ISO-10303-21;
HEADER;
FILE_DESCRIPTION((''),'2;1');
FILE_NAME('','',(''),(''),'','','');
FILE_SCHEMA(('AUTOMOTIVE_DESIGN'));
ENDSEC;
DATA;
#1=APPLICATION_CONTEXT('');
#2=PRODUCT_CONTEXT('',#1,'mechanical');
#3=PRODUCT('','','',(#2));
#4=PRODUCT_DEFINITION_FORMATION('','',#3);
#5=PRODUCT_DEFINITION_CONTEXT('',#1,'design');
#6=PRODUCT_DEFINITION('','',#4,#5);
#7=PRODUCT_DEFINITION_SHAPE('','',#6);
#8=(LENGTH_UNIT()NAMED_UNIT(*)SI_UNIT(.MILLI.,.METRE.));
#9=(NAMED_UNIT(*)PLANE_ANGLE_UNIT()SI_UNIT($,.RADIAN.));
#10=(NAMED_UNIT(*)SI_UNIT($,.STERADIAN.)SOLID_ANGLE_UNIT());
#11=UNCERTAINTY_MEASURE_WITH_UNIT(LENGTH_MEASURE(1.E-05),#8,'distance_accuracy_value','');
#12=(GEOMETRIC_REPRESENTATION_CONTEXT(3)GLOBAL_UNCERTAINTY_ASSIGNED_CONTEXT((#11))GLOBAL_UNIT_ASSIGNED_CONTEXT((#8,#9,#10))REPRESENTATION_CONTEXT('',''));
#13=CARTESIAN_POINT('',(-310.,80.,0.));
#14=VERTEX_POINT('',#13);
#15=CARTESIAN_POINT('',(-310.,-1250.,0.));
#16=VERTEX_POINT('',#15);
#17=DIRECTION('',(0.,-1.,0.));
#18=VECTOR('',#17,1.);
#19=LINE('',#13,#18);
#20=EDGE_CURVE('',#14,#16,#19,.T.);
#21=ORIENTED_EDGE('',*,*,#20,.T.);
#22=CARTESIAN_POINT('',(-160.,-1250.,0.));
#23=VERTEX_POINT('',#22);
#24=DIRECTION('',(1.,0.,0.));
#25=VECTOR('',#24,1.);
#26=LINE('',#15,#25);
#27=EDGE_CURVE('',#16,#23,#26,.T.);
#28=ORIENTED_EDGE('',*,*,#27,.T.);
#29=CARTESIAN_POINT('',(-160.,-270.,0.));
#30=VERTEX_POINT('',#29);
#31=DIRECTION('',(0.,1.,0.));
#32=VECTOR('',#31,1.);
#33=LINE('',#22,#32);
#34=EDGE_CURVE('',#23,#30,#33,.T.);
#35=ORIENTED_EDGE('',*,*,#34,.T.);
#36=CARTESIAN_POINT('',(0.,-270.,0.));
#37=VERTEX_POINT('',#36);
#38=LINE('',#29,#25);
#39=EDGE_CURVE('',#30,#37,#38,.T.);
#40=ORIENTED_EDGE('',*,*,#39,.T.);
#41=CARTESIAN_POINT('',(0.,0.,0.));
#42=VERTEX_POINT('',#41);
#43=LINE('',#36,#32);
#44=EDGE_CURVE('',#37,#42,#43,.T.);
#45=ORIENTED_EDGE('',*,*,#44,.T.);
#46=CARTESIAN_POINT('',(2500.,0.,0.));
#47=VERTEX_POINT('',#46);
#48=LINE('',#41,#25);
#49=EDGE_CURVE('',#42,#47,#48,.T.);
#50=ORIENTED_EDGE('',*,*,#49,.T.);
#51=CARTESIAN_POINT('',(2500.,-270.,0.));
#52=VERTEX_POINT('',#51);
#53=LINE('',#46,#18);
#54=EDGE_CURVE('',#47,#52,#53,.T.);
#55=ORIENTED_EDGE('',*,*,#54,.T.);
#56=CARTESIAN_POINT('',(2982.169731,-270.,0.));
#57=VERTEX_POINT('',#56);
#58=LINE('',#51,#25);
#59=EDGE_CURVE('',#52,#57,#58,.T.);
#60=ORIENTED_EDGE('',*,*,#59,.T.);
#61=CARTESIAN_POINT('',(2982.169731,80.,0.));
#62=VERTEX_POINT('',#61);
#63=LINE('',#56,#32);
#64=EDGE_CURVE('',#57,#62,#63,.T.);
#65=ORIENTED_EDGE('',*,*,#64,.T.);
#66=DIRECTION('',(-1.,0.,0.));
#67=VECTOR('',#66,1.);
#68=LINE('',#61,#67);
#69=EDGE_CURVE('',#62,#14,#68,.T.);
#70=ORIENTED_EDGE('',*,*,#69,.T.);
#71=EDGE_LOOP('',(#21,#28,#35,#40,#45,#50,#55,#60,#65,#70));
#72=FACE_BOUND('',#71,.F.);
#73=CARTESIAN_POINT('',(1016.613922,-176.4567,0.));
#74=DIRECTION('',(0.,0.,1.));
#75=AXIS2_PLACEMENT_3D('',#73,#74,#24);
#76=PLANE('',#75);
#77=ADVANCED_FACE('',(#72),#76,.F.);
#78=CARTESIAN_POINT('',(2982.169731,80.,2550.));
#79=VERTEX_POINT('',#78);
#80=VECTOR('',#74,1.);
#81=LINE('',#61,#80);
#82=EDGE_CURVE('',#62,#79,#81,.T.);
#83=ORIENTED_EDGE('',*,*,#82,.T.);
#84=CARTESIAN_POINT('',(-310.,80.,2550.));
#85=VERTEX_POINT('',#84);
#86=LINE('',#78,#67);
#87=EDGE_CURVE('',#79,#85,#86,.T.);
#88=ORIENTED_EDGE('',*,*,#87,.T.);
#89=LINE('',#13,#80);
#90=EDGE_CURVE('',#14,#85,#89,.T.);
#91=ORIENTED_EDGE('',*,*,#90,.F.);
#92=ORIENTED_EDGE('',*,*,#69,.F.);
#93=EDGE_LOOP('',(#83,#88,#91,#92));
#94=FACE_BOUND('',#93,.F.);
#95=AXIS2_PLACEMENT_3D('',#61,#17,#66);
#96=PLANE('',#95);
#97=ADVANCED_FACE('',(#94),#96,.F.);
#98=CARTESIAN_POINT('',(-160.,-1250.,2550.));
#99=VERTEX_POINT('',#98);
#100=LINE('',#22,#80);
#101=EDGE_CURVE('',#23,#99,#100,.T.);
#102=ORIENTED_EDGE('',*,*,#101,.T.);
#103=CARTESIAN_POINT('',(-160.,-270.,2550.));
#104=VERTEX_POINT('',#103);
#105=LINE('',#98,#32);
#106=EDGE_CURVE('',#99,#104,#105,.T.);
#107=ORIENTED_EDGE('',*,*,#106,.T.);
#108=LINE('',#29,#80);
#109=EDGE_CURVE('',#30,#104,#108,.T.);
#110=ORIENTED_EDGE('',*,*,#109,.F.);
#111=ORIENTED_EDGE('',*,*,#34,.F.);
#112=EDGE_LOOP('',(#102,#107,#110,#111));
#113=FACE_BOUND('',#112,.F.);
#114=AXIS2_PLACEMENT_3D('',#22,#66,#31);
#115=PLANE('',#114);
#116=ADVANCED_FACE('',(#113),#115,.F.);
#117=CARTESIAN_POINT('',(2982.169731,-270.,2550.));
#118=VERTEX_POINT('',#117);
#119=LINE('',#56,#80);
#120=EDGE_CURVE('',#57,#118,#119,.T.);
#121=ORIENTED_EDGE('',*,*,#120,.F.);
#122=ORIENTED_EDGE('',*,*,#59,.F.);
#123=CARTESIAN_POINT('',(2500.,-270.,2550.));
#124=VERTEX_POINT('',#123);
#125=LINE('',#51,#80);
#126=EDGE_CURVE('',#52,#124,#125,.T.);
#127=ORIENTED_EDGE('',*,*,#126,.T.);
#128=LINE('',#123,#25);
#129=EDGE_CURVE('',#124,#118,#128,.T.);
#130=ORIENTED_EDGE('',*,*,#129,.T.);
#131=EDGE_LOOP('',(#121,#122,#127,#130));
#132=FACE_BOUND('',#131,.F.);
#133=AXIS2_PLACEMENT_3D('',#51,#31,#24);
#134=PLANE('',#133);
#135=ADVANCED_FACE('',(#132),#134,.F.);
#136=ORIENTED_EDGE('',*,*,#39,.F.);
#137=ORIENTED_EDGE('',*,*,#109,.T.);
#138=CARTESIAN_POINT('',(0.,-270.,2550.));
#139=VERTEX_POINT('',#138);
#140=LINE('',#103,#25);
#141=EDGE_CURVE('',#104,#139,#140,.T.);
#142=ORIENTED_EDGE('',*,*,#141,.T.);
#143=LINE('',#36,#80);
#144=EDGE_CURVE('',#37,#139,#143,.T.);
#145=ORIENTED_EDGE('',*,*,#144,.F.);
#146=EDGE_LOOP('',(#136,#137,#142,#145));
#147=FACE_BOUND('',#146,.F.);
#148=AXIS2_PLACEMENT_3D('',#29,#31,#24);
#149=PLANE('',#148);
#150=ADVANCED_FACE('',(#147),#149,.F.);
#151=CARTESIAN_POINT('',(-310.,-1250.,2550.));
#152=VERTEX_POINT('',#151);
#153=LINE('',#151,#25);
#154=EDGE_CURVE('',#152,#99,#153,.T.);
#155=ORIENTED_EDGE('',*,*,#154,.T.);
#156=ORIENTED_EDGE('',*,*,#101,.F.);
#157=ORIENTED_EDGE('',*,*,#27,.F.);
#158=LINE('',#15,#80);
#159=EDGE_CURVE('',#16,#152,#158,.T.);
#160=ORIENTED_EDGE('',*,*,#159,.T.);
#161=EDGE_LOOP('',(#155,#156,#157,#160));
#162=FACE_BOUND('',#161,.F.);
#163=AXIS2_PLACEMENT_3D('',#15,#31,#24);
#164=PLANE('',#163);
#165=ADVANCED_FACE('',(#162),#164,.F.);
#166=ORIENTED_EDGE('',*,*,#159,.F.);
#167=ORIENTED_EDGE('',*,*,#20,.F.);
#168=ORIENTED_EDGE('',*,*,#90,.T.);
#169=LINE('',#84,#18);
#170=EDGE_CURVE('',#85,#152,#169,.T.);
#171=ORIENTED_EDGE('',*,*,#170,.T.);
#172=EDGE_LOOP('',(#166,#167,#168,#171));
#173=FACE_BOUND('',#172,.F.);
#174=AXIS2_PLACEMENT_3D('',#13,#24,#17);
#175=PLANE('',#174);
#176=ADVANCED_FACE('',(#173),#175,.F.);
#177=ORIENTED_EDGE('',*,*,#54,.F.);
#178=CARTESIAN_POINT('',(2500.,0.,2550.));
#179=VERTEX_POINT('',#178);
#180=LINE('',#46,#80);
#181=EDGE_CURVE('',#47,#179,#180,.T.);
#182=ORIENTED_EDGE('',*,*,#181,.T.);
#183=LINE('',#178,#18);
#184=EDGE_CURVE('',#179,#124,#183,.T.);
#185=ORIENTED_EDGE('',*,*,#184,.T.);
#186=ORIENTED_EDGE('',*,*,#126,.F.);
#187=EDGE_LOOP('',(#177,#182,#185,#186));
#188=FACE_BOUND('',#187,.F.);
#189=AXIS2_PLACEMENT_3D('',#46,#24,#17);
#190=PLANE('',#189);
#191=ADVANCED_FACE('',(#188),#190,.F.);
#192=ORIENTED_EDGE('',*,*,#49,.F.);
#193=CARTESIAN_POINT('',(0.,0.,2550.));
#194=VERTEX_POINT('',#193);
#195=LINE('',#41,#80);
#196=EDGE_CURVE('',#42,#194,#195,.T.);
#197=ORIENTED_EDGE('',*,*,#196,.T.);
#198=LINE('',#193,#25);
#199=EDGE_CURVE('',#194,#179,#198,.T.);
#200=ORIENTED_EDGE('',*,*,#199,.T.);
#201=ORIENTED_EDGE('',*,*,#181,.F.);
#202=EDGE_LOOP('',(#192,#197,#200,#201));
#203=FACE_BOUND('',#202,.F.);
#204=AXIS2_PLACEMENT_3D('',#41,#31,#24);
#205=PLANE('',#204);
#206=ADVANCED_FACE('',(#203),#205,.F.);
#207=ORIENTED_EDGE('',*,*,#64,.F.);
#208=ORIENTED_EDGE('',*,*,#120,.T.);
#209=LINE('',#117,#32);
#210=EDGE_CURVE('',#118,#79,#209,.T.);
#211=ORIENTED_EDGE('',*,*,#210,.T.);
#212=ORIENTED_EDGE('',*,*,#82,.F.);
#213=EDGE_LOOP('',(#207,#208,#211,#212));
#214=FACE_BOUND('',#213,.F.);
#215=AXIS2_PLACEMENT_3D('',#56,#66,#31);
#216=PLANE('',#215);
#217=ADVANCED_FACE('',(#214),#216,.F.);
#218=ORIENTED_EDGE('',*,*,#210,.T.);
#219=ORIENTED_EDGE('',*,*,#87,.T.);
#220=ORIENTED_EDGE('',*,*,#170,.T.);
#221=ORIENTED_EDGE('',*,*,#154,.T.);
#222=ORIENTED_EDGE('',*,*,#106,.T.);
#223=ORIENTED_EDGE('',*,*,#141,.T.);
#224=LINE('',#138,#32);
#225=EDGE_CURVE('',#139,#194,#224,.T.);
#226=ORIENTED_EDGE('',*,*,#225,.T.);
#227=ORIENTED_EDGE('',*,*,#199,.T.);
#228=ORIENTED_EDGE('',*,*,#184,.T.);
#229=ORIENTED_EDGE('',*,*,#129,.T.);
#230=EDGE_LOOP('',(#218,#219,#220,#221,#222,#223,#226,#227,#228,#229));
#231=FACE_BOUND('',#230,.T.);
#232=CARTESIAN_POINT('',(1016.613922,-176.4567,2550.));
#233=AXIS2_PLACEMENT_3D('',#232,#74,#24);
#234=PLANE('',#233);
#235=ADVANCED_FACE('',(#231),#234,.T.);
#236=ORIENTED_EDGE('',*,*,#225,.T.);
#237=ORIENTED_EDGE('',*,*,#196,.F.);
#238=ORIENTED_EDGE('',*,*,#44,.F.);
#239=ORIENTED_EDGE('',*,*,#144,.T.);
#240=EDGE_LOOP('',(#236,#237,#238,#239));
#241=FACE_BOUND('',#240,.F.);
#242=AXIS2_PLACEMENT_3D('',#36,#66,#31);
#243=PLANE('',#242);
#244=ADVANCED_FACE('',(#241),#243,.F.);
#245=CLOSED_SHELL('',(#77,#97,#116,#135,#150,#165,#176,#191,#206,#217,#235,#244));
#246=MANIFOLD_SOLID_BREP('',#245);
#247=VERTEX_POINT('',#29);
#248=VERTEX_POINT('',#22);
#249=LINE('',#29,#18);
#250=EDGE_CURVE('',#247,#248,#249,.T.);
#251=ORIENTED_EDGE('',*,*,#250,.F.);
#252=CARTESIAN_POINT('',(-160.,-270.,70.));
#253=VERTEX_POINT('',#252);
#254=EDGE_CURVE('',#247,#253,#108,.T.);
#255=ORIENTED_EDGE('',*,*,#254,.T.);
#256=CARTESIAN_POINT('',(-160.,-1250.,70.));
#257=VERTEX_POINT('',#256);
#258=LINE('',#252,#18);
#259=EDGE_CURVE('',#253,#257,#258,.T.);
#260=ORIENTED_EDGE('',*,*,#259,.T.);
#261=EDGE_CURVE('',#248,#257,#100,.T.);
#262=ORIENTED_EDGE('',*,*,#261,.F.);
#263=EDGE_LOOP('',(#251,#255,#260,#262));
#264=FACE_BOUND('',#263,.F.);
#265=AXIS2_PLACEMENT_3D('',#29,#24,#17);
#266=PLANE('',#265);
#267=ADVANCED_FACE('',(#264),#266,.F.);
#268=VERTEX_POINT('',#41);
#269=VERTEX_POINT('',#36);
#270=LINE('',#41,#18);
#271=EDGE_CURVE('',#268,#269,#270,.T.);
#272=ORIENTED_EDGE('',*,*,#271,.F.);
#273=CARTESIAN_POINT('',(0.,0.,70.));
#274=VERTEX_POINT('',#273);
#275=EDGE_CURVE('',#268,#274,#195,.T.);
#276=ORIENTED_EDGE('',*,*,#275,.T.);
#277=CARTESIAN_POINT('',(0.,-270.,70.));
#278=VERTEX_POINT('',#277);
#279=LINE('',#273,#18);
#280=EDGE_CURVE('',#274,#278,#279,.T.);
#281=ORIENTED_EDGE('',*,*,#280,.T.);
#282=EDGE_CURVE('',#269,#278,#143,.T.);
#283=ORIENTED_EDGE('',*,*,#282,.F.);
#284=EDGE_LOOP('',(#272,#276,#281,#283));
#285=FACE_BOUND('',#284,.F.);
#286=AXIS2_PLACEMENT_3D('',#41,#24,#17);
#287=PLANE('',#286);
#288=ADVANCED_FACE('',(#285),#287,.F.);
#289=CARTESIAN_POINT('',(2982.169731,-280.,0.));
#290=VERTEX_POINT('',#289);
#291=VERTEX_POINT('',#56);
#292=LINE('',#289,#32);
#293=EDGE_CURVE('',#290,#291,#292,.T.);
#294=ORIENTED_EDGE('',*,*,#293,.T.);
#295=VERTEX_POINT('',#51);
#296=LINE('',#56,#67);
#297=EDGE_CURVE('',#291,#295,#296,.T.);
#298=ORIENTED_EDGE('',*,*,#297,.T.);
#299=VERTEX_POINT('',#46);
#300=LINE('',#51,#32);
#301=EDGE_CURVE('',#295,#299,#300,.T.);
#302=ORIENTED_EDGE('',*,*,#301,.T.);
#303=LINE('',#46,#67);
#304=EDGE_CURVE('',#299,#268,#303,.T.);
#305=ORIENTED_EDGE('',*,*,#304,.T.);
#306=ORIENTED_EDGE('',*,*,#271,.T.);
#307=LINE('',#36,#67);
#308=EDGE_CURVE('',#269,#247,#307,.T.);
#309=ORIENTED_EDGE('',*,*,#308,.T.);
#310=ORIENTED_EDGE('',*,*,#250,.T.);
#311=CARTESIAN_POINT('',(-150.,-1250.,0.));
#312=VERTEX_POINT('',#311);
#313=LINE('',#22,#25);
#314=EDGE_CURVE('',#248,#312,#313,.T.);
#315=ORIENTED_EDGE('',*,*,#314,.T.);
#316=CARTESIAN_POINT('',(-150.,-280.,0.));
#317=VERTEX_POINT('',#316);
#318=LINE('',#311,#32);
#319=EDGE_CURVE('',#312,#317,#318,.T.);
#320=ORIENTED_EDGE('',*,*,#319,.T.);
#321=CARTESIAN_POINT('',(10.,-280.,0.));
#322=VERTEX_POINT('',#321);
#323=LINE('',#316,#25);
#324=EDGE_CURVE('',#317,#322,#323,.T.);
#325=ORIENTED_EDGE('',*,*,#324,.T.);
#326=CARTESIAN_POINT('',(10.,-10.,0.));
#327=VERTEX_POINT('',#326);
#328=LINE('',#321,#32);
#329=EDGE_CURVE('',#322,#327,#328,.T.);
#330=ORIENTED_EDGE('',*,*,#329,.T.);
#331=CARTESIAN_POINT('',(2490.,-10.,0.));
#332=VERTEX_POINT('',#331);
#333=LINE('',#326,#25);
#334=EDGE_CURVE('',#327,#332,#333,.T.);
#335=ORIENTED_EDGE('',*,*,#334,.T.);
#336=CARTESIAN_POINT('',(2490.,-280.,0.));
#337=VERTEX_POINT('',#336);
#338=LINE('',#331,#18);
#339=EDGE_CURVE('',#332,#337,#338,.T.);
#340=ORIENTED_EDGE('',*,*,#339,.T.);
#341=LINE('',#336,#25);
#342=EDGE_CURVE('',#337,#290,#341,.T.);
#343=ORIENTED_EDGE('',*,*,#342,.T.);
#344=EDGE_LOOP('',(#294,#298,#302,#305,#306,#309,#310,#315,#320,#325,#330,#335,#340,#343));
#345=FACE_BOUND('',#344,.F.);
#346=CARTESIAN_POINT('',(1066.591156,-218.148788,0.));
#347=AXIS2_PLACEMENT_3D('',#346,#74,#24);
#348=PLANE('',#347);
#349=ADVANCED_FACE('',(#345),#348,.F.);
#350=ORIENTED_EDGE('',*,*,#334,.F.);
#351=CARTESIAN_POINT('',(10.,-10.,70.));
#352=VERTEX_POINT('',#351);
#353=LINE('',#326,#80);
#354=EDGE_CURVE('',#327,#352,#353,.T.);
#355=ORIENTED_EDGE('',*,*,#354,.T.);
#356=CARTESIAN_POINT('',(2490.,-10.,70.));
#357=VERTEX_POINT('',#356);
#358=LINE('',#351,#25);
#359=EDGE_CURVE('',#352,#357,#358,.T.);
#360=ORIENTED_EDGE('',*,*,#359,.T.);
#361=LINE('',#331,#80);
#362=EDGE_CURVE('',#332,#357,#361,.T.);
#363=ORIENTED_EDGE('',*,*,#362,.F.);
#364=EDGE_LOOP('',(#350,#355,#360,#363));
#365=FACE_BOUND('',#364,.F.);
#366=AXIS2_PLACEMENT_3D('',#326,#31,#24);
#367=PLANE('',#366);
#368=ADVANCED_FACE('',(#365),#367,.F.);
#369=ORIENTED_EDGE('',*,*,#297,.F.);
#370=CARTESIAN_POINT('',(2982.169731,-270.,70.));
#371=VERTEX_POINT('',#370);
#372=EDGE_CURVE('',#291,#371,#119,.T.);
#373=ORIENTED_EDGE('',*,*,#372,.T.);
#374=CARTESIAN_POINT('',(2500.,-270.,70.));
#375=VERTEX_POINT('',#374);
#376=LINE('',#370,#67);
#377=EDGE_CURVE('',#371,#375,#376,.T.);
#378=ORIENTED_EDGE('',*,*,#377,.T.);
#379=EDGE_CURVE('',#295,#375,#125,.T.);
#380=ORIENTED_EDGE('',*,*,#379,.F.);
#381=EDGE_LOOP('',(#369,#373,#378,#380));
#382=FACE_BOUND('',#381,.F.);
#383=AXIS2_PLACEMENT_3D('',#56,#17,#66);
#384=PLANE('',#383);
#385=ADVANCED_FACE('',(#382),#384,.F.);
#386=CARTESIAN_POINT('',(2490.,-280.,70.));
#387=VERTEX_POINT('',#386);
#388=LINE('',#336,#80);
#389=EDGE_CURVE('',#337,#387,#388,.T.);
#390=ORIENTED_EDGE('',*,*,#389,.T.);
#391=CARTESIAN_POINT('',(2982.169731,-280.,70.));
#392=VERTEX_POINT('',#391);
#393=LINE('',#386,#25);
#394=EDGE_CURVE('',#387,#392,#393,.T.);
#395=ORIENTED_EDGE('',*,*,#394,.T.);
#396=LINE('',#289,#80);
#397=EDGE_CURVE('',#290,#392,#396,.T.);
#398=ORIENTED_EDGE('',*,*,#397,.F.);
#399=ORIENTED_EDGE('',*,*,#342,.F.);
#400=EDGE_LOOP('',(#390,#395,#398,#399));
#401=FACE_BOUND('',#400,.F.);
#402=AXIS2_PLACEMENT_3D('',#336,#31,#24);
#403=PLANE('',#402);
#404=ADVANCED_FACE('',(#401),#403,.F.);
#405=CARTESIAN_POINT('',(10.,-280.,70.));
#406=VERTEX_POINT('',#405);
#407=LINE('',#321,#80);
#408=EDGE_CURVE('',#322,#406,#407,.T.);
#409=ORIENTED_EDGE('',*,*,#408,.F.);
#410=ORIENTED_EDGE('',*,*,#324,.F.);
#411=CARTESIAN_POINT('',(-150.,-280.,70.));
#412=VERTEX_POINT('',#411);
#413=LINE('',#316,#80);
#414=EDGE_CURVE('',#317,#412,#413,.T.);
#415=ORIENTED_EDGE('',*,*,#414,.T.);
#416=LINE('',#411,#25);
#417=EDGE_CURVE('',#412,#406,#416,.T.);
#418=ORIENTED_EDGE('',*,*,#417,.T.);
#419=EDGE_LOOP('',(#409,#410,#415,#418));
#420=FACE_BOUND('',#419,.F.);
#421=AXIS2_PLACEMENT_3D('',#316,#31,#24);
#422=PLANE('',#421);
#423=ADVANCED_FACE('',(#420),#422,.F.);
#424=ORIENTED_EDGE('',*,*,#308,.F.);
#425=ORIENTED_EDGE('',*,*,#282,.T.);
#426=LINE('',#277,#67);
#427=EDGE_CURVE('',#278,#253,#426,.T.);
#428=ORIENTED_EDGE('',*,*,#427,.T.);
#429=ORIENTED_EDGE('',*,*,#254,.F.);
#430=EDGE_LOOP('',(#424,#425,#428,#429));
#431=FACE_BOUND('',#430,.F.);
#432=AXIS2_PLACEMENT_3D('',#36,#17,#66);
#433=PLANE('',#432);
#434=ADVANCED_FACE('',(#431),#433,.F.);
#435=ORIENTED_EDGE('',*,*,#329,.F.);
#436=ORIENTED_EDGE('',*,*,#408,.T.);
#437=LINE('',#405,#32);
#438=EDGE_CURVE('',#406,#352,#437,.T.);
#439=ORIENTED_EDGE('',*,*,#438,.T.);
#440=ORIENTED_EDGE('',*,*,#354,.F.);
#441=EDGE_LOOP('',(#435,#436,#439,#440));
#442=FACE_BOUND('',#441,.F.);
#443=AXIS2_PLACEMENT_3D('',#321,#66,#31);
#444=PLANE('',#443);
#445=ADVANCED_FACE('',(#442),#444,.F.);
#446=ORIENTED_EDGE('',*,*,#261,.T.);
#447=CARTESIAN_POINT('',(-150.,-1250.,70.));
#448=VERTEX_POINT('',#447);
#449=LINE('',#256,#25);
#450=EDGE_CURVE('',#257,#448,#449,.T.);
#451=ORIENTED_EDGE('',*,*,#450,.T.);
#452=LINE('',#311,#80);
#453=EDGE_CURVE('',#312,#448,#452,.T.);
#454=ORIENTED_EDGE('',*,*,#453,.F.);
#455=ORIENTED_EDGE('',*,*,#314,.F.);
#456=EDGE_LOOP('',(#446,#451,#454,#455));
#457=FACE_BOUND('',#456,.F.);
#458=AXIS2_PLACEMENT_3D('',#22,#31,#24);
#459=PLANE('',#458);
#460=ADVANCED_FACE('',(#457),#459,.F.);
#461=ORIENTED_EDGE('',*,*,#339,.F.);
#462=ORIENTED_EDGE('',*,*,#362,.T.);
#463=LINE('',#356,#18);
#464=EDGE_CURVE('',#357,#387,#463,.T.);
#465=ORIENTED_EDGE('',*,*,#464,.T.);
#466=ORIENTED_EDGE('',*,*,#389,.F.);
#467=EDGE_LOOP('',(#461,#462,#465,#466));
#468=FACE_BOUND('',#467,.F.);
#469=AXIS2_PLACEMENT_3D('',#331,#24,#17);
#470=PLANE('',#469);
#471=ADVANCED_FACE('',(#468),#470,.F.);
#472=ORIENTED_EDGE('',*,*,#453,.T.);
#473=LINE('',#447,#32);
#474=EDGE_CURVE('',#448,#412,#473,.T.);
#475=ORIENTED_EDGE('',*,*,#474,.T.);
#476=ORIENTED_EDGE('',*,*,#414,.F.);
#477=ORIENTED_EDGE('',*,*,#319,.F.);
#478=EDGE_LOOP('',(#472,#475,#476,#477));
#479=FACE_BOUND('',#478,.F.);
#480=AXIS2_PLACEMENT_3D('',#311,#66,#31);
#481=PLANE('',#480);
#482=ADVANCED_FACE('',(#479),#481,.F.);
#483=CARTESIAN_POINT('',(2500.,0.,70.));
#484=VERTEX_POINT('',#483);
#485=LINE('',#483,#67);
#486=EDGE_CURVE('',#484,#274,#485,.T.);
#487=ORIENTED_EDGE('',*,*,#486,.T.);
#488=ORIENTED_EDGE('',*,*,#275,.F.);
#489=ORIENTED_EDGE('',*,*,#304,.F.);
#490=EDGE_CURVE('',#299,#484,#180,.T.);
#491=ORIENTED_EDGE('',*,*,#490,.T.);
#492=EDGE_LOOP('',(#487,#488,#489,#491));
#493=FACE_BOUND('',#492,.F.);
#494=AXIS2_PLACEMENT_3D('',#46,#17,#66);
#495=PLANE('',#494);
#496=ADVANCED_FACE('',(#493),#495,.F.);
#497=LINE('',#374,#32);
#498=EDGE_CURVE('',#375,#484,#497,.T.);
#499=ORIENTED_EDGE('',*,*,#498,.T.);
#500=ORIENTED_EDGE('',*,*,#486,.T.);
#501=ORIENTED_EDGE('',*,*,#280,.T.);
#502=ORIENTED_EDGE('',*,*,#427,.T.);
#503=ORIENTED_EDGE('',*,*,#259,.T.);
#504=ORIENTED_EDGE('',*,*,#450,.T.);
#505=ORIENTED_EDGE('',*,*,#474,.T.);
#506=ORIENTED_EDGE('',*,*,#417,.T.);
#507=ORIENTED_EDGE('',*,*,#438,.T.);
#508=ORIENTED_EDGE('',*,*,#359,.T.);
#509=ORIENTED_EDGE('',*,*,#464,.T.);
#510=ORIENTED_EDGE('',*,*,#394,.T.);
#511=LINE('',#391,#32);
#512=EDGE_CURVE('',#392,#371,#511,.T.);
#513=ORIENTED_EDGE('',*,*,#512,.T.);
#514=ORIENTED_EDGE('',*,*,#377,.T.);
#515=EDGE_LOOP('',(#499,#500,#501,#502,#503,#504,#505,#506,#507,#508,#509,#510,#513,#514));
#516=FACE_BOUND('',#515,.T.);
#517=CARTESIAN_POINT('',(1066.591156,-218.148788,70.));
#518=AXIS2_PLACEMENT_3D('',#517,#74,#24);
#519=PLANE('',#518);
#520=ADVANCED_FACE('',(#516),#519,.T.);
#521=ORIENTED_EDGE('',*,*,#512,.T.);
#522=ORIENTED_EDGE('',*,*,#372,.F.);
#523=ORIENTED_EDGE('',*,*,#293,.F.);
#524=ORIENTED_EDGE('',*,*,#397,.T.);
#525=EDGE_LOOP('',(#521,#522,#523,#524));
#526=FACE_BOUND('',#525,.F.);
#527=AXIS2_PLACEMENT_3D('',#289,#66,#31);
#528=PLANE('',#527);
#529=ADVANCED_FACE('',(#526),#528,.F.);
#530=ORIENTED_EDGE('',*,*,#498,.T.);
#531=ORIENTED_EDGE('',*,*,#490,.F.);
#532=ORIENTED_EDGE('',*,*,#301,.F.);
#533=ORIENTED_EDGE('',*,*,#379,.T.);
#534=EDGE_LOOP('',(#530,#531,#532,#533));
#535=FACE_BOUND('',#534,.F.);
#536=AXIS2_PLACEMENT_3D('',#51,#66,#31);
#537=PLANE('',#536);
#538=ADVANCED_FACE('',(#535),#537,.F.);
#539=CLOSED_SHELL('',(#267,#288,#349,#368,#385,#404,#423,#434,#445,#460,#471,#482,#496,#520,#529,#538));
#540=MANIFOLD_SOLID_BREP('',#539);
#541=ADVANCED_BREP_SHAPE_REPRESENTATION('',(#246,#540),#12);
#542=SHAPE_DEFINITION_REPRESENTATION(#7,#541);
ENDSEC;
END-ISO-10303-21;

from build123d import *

# Parameters (mm, degrees)
F1_DEPTH = 2550
F2_DEPTH = 70


with BuildPart() as f1:
    # F0 (on Top) → F1 (new body)
    with BuildSketch(Plane.XY):
        Polygon((0, -270), (0, 0), (2500, 0), (2500, -270), (2982.169731, -270), (2982.169731, 80), (-310, 80), (-310, -1250), (-160, -1250), (-160, -270), align=None)
    extrude(amount=F1_DEPTH)


with BuildPart() as f2:
    # F0 (on Top) → F2 (new body)
    with BuildSketch(Plane.XY):
        Polygon((2500, 0), (0, 0), (0, -270), (-160, -270), (-160, -1250), (-150, -1250), (-150, -280), (10, -280), (10, -10), (2490, -10), (2490, -280), (2982.169731, -280), (2982.169731, -270), (2500, -270), align=None)
    extrude(amount=F2_DEPTH)


solid = Compound([f1.part, f2.part])
